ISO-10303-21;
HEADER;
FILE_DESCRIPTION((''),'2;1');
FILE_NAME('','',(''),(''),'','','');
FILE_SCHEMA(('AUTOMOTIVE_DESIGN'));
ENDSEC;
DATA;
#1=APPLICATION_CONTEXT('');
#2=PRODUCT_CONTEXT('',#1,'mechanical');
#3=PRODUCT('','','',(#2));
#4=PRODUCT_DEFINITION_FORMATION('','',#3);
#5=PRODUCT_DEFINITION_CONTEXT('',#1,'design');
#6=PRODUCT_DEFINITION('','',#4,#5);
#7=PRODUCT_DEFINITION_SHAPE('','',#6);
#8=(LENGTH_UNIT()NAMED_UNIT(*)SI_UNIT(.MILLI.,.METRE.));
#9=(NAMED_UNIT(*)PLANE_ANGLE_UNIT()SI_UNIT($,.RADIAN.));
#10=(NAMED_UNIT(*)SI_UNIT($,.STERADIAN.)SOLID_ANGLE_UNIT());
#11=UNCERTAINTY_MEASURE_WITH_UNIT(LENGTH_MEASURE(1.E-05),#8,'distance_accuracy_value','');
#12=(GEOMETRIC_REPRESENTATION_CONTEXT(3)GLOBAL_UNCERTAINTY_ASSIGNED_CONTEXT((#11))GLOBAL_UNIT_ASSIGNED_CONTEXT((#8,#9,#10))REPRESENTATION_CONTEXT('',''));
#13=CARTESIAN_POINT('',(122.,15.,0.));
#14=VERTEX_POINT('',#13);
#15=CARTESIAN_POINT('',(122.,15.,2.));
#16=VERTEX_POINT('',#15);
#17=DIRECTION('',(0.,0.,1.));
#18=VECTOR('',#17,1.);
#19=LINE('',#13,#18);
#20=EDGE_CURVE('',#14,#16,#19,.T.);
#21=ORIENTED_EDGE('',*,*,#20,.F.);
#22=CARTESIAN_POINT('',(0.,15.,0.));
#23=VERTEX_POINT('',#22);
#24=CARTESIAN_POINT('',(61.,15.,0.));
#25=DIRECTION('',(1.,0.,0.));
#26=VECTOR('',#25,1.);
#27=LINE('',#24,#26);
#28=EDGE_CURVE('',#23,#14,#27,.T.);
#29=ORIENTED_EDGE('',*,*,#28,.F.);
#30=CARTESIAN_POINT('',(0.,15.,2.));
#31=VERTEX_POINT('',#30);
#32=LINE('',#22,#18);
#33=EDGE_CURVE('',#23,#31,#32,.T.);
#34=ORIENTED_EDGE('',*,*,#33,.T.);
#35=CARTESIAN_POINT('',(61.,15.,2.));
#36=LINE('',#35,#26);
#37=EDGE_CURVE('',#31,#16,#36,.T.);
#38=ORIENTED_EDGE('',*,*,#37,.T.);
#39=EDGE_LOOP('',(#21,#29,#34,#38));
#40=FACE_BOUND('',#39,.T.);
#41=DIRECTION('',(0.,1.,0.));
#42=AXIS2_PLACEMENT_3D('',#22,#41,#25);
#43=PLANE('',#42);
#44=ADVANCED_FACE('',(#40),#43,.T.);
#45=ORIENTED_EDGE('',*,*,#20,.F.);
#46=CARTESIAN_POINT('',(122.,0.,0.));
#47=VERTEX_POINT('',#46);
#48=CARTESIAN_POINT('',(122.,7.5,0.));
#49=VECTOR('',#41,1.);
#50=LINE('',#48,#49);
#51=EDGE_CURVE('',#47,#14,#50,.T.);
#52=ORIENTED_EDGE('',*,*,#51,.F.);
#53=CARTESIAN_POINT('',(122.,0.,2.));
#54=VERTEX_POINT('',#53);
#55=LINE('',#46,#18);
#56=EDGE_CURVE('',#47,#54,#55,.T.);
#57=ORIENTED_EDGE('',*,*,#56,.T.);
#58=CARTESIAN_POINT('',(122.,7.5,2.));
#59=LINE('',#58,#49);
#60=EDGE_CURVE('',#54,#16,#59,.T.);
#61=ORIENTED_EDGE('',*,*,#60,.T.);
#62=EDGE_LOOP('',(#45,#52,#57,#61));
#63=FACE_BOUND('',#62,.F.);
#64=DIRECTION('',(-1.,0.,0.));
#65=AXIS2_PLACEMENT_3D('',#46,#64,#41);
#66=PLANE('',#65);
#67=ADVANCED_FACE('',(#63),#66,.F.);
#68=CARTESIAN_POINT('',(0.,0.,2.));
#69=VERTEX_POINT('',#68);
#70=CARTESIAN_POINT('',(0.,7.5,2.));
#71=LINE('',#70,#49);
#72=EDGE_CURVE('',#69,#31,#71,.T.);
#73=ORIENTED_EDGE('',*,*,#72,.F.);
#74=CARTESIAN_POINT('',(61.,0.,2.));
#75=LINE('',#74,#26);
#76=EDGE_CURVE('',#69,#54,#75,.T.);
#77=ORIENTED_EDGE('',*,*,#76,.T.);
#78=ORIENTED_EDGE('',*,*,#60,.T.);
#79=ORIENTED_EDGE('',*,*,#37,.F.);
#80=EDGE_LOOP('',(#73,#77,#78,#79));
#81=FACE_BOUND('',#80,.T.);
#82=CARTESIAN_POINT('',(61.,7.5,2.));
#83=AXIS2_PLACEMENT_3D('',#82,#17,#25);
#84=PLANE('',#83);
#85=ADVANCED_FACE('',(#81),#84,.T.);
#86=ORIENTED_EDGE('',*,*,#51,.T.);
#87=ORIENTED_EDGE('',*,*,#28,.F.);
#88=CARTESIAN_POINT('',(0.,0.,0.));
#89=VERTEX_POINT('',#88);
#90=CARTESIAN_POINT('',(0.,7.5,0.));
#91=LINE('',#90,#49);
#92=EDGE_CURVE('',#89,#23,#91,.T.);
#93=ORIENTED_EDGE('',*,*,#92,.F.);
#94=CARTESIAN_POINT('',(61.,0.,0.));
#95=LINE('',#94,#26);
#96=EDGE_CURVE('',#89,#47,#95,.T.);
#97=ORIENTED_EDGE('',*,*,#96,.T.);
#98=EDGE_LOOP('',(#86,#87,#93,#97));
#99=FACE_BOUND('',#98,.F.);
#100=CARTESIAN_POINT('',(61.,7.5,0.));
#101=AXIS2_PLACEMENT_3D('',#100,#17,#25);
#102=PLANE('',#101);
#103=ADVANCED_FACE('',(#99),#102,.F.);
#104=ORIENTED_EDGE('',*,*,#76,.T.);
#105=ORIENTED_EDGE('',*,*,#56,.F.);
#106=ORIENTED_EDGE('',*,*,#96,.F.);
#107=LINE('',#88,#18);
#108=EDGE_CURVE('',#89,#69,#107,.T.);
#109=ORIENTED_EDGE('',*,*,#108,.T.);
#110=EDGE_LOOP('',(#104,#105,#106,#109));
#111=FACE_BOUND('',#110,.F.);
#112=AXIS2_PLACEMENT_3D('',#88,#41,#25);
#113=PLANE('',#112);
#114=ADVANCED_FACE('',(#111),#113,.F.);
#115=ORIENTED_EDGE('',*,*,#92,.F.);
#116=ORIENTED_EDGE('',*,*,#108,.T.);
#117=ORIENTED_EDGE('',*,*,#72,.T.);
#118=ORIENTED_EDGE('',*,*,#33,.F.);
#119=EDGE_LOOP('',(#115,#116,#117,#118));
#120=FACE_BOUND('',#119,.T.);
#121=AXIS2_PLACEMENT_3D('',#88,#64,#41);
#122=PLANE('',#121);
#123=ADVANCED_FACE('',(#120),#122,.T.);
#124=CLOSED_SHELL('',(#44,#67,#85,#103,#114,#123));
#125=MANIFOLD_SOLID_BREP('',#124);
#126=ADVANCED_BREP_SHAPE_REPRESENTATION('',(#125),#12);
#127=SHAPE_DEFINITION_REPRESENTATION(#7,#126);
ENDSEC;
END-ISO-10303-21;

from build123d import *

# Parameters (mm, degrees)
SKETCH1_W           = 122
SKETCH1_H           = 15
BOSS_EXTRUDE1_DEPTH = 2


with BuildPart() as part:
    # Sketch1 → Boss-Extrude1 (new body)
    with BuildSketch(Plane.XY):
        with Locations((61, 7.5)):
            Rectangle(SKETCH1_W, SKETCH1_H)
    extrude(amount=BOSS_EXTRUDE1_DEPTH)


solid = part.part
